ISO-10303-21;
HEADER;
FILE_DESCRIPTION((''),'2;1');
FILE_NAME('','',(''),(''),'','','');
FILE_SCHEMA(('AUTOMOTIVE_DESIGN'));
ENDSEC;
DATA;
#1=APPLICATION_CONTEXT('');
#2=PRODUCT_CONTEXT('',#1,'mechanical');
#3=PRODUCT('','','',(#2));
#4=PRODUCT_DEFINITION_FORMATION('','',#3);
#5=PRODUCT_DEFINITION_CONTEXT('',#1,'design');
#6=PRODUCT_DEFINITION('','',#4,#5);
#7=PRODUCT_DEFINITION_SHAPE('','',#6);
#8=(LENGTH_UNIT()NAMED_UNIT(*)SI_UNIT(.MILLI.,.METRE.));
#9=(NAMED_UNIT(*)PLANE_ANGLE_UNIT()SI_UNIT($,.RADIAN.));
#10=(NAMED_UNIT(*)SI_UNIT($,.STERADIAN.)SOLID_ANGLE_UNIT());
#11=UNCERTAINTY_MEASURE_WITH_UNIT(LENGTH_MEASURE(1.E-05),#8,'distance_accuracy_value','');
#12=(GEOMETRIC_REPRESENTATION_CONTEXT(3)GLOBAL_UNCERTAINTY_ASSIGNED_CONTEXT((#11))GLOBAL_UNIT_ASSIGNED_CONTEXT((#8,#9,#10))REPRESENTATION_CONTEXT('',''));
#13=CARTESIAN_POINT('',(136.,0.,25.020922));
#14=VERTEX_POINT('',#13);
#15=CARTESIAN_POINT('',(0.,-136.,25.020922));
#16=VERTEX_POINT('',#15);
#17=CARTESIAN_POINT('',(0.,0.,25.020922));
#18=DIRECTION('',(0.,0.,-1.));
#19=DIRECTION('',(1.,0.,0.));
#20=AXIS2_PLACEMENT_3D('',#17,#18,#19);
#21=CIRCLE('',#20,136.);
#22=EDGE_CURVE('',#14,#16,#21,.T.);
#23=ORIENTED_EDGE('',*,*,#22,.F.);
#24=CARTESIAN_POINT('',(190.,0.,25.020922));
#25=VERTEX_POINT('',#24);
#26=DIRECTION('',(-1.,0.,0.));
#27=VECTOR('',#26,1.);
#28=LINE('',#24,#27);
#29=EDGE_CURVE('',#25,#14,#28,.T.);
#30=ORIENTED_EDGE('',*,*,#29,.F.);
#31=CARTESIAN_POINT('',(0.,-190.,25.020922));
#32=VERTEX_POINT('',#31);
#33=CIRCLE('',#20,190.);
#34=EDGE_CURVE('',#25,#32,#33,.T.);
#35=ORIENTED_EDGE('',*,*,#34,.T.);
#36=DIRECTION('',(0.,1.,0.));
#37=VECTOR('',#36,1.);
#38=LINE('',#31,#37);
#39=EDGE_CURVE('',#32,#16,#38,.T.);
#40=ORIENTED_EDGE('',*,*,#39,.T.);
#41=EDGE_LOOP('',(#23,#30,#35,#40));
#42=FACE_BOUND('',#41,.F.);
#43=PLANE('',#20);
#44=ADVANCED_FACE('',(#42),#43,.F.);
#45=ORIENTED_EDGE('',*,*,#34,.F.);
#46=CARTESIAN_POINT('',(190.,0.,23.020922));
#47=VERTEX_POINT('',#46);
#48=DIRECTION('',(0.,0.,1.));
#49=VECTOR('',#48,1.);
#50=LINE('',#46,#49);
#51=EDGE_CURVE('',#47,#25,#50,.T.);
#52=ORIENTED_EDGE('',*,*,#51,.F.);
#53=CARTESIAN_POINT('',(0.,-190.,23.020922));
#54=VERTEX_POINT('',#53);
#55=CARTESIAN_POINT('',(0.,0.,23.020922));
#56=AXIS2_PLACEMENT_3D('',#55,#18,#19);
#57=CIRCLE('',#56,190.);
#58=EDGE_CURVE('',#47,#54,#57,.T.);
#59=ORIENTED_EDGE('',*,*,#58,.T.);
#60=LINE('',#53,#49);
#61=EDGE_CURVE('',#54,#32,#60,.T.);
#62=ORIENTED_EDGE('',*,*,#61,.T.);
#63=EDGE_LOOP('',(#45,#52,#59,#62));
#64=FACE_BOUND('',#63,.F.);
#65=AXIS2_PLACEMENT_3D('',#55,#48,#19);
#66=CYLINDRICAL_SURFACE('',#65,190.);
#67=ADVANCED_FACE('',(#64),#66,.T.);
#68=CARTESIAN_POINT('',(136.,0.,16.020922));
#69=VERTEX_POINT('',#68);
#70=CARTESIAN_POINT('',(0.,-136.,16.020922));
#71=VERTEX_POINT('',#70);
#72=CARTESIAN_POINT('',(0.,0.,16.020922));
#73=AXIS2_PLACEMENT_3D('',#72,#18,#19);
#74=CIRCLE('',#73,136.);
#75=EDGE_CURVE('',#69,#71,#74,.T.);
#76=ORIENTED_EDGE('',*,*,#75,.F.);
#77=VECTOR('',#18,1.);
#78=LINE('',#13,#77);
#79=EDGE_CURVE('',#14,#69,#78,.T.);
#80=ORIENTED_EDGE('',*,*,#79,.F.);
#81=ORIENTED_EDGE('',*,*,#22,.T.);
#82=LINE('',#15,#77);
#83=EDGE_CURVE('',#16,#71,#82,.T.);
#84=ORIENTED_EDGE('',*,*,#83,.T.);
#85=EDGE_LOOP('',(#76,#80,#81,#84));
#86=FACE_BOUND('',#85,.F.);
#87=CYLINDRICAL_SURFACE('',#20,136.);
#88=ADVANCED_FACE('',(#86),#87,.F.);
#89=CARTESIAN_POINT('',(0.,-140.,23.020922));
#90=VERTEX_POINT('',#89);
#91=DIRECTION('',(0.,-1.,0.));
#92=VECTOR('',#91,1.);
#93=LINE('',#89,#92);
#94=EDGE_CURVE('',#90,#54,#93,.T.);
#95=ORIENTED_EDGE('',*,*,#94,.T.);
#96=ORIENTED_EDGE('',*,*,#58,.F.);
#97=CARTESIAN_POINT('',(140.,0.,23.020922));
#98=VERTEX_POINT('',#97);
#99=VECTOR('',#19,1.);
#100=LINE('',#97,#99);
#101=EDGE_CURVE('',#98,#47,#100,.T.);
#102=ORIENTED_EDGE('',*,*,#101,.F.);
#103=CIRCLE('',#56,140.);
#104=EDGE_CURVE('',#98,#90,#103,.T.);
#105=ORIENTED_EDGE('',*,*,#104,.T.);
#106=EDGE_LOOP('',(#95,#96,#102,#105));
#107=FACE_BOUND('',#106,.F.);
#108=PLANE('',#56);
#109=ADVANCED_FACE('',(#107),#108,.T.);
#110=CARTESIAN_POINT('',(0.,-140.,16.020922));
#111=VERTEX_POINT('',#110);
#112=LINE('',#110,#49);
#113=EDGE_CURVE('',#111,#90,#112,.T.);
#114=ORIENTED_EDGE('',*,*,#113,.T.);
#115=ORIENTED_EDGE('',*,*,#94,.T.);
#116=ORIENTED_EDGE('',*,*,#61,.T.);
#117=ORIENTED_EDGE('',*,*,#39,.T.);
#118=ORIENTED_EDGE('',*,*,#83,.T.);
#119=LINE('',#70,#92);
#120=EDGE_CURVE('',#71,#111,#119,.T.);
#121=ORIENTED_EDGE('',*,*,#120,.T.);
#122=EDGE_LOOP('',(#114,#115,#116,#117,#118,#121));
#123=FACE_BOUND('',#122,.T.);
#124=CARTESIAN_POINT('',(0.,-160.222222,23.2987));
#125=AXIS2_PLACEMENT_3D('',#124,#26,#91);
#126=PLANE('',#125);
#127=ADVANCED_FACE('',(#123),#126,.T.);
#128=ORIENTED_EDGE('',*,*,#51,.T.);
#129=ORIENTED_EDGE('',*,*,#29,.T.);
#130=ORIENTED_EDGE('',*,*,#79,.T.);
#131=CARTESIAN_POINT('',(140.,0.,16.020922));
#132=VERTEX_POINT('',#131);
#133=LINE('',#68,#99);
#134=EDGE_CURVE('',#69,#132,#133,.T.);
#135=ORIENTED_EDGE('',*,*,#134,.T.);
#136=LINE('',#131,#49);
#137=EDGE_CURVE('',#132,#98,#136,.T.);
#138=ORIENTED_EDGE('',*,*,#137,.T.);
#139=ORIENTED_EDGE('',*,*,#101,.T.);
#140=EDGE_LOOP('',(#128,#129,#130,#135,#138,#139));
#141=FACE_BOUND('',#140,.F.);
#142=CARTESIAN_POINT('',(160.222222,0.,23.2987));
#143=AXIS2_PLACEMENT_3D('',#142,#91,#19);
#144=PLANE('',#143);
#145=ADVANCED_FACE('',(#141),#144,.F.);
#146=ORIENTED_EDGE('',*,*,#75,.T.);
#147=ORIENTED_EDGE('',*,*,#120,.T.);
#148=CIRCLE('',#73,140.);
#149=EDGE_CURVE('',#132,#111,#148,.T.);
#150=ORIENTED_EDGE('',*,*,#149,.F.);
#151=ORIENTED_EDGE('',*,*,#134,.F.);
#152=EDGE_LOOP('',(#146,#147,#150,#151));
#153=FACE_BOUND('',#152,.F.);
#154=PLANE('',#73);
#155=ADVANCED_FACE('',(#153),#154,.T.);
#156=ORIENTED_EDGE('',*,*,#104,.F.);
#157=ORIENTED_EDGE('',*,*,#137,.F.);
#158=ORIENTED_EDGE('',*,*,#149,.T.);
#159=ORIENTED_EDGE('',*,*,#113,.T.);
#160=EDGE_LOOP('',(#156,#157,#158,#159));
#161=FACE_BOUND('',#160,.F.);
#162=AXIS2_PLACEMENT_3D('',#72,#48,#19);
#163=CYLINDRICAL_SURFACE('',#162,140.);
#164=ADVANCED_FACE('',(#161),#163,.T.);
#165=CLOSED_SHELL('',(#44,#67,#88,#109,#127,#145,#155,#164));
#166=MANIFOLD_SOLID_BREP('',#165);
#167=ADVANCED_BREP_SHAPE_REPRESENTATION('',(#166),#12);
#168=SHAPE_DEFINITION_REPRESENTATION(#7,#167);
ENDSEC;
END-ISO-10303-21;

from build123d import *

# Parameters (mm, degrees)
REVOLUTION_ANGLE = -90


with BuildPart() as part:
    # Sketch → Revolution (revolve)
    with BuildSketch(Plane.XZ):
        Polygon((140, 25.020922), (136, 25.020922), (136, 16.020922), (140, 16.020922), (140, 23.020922), (190, 23.020922), (190, 25.020922), align=None)
    revolve(axis=Axis((0, 0, 0), (0, 0, 1)), revolution_arc=REVOLUTION_ANGLE)


solid = part.part
